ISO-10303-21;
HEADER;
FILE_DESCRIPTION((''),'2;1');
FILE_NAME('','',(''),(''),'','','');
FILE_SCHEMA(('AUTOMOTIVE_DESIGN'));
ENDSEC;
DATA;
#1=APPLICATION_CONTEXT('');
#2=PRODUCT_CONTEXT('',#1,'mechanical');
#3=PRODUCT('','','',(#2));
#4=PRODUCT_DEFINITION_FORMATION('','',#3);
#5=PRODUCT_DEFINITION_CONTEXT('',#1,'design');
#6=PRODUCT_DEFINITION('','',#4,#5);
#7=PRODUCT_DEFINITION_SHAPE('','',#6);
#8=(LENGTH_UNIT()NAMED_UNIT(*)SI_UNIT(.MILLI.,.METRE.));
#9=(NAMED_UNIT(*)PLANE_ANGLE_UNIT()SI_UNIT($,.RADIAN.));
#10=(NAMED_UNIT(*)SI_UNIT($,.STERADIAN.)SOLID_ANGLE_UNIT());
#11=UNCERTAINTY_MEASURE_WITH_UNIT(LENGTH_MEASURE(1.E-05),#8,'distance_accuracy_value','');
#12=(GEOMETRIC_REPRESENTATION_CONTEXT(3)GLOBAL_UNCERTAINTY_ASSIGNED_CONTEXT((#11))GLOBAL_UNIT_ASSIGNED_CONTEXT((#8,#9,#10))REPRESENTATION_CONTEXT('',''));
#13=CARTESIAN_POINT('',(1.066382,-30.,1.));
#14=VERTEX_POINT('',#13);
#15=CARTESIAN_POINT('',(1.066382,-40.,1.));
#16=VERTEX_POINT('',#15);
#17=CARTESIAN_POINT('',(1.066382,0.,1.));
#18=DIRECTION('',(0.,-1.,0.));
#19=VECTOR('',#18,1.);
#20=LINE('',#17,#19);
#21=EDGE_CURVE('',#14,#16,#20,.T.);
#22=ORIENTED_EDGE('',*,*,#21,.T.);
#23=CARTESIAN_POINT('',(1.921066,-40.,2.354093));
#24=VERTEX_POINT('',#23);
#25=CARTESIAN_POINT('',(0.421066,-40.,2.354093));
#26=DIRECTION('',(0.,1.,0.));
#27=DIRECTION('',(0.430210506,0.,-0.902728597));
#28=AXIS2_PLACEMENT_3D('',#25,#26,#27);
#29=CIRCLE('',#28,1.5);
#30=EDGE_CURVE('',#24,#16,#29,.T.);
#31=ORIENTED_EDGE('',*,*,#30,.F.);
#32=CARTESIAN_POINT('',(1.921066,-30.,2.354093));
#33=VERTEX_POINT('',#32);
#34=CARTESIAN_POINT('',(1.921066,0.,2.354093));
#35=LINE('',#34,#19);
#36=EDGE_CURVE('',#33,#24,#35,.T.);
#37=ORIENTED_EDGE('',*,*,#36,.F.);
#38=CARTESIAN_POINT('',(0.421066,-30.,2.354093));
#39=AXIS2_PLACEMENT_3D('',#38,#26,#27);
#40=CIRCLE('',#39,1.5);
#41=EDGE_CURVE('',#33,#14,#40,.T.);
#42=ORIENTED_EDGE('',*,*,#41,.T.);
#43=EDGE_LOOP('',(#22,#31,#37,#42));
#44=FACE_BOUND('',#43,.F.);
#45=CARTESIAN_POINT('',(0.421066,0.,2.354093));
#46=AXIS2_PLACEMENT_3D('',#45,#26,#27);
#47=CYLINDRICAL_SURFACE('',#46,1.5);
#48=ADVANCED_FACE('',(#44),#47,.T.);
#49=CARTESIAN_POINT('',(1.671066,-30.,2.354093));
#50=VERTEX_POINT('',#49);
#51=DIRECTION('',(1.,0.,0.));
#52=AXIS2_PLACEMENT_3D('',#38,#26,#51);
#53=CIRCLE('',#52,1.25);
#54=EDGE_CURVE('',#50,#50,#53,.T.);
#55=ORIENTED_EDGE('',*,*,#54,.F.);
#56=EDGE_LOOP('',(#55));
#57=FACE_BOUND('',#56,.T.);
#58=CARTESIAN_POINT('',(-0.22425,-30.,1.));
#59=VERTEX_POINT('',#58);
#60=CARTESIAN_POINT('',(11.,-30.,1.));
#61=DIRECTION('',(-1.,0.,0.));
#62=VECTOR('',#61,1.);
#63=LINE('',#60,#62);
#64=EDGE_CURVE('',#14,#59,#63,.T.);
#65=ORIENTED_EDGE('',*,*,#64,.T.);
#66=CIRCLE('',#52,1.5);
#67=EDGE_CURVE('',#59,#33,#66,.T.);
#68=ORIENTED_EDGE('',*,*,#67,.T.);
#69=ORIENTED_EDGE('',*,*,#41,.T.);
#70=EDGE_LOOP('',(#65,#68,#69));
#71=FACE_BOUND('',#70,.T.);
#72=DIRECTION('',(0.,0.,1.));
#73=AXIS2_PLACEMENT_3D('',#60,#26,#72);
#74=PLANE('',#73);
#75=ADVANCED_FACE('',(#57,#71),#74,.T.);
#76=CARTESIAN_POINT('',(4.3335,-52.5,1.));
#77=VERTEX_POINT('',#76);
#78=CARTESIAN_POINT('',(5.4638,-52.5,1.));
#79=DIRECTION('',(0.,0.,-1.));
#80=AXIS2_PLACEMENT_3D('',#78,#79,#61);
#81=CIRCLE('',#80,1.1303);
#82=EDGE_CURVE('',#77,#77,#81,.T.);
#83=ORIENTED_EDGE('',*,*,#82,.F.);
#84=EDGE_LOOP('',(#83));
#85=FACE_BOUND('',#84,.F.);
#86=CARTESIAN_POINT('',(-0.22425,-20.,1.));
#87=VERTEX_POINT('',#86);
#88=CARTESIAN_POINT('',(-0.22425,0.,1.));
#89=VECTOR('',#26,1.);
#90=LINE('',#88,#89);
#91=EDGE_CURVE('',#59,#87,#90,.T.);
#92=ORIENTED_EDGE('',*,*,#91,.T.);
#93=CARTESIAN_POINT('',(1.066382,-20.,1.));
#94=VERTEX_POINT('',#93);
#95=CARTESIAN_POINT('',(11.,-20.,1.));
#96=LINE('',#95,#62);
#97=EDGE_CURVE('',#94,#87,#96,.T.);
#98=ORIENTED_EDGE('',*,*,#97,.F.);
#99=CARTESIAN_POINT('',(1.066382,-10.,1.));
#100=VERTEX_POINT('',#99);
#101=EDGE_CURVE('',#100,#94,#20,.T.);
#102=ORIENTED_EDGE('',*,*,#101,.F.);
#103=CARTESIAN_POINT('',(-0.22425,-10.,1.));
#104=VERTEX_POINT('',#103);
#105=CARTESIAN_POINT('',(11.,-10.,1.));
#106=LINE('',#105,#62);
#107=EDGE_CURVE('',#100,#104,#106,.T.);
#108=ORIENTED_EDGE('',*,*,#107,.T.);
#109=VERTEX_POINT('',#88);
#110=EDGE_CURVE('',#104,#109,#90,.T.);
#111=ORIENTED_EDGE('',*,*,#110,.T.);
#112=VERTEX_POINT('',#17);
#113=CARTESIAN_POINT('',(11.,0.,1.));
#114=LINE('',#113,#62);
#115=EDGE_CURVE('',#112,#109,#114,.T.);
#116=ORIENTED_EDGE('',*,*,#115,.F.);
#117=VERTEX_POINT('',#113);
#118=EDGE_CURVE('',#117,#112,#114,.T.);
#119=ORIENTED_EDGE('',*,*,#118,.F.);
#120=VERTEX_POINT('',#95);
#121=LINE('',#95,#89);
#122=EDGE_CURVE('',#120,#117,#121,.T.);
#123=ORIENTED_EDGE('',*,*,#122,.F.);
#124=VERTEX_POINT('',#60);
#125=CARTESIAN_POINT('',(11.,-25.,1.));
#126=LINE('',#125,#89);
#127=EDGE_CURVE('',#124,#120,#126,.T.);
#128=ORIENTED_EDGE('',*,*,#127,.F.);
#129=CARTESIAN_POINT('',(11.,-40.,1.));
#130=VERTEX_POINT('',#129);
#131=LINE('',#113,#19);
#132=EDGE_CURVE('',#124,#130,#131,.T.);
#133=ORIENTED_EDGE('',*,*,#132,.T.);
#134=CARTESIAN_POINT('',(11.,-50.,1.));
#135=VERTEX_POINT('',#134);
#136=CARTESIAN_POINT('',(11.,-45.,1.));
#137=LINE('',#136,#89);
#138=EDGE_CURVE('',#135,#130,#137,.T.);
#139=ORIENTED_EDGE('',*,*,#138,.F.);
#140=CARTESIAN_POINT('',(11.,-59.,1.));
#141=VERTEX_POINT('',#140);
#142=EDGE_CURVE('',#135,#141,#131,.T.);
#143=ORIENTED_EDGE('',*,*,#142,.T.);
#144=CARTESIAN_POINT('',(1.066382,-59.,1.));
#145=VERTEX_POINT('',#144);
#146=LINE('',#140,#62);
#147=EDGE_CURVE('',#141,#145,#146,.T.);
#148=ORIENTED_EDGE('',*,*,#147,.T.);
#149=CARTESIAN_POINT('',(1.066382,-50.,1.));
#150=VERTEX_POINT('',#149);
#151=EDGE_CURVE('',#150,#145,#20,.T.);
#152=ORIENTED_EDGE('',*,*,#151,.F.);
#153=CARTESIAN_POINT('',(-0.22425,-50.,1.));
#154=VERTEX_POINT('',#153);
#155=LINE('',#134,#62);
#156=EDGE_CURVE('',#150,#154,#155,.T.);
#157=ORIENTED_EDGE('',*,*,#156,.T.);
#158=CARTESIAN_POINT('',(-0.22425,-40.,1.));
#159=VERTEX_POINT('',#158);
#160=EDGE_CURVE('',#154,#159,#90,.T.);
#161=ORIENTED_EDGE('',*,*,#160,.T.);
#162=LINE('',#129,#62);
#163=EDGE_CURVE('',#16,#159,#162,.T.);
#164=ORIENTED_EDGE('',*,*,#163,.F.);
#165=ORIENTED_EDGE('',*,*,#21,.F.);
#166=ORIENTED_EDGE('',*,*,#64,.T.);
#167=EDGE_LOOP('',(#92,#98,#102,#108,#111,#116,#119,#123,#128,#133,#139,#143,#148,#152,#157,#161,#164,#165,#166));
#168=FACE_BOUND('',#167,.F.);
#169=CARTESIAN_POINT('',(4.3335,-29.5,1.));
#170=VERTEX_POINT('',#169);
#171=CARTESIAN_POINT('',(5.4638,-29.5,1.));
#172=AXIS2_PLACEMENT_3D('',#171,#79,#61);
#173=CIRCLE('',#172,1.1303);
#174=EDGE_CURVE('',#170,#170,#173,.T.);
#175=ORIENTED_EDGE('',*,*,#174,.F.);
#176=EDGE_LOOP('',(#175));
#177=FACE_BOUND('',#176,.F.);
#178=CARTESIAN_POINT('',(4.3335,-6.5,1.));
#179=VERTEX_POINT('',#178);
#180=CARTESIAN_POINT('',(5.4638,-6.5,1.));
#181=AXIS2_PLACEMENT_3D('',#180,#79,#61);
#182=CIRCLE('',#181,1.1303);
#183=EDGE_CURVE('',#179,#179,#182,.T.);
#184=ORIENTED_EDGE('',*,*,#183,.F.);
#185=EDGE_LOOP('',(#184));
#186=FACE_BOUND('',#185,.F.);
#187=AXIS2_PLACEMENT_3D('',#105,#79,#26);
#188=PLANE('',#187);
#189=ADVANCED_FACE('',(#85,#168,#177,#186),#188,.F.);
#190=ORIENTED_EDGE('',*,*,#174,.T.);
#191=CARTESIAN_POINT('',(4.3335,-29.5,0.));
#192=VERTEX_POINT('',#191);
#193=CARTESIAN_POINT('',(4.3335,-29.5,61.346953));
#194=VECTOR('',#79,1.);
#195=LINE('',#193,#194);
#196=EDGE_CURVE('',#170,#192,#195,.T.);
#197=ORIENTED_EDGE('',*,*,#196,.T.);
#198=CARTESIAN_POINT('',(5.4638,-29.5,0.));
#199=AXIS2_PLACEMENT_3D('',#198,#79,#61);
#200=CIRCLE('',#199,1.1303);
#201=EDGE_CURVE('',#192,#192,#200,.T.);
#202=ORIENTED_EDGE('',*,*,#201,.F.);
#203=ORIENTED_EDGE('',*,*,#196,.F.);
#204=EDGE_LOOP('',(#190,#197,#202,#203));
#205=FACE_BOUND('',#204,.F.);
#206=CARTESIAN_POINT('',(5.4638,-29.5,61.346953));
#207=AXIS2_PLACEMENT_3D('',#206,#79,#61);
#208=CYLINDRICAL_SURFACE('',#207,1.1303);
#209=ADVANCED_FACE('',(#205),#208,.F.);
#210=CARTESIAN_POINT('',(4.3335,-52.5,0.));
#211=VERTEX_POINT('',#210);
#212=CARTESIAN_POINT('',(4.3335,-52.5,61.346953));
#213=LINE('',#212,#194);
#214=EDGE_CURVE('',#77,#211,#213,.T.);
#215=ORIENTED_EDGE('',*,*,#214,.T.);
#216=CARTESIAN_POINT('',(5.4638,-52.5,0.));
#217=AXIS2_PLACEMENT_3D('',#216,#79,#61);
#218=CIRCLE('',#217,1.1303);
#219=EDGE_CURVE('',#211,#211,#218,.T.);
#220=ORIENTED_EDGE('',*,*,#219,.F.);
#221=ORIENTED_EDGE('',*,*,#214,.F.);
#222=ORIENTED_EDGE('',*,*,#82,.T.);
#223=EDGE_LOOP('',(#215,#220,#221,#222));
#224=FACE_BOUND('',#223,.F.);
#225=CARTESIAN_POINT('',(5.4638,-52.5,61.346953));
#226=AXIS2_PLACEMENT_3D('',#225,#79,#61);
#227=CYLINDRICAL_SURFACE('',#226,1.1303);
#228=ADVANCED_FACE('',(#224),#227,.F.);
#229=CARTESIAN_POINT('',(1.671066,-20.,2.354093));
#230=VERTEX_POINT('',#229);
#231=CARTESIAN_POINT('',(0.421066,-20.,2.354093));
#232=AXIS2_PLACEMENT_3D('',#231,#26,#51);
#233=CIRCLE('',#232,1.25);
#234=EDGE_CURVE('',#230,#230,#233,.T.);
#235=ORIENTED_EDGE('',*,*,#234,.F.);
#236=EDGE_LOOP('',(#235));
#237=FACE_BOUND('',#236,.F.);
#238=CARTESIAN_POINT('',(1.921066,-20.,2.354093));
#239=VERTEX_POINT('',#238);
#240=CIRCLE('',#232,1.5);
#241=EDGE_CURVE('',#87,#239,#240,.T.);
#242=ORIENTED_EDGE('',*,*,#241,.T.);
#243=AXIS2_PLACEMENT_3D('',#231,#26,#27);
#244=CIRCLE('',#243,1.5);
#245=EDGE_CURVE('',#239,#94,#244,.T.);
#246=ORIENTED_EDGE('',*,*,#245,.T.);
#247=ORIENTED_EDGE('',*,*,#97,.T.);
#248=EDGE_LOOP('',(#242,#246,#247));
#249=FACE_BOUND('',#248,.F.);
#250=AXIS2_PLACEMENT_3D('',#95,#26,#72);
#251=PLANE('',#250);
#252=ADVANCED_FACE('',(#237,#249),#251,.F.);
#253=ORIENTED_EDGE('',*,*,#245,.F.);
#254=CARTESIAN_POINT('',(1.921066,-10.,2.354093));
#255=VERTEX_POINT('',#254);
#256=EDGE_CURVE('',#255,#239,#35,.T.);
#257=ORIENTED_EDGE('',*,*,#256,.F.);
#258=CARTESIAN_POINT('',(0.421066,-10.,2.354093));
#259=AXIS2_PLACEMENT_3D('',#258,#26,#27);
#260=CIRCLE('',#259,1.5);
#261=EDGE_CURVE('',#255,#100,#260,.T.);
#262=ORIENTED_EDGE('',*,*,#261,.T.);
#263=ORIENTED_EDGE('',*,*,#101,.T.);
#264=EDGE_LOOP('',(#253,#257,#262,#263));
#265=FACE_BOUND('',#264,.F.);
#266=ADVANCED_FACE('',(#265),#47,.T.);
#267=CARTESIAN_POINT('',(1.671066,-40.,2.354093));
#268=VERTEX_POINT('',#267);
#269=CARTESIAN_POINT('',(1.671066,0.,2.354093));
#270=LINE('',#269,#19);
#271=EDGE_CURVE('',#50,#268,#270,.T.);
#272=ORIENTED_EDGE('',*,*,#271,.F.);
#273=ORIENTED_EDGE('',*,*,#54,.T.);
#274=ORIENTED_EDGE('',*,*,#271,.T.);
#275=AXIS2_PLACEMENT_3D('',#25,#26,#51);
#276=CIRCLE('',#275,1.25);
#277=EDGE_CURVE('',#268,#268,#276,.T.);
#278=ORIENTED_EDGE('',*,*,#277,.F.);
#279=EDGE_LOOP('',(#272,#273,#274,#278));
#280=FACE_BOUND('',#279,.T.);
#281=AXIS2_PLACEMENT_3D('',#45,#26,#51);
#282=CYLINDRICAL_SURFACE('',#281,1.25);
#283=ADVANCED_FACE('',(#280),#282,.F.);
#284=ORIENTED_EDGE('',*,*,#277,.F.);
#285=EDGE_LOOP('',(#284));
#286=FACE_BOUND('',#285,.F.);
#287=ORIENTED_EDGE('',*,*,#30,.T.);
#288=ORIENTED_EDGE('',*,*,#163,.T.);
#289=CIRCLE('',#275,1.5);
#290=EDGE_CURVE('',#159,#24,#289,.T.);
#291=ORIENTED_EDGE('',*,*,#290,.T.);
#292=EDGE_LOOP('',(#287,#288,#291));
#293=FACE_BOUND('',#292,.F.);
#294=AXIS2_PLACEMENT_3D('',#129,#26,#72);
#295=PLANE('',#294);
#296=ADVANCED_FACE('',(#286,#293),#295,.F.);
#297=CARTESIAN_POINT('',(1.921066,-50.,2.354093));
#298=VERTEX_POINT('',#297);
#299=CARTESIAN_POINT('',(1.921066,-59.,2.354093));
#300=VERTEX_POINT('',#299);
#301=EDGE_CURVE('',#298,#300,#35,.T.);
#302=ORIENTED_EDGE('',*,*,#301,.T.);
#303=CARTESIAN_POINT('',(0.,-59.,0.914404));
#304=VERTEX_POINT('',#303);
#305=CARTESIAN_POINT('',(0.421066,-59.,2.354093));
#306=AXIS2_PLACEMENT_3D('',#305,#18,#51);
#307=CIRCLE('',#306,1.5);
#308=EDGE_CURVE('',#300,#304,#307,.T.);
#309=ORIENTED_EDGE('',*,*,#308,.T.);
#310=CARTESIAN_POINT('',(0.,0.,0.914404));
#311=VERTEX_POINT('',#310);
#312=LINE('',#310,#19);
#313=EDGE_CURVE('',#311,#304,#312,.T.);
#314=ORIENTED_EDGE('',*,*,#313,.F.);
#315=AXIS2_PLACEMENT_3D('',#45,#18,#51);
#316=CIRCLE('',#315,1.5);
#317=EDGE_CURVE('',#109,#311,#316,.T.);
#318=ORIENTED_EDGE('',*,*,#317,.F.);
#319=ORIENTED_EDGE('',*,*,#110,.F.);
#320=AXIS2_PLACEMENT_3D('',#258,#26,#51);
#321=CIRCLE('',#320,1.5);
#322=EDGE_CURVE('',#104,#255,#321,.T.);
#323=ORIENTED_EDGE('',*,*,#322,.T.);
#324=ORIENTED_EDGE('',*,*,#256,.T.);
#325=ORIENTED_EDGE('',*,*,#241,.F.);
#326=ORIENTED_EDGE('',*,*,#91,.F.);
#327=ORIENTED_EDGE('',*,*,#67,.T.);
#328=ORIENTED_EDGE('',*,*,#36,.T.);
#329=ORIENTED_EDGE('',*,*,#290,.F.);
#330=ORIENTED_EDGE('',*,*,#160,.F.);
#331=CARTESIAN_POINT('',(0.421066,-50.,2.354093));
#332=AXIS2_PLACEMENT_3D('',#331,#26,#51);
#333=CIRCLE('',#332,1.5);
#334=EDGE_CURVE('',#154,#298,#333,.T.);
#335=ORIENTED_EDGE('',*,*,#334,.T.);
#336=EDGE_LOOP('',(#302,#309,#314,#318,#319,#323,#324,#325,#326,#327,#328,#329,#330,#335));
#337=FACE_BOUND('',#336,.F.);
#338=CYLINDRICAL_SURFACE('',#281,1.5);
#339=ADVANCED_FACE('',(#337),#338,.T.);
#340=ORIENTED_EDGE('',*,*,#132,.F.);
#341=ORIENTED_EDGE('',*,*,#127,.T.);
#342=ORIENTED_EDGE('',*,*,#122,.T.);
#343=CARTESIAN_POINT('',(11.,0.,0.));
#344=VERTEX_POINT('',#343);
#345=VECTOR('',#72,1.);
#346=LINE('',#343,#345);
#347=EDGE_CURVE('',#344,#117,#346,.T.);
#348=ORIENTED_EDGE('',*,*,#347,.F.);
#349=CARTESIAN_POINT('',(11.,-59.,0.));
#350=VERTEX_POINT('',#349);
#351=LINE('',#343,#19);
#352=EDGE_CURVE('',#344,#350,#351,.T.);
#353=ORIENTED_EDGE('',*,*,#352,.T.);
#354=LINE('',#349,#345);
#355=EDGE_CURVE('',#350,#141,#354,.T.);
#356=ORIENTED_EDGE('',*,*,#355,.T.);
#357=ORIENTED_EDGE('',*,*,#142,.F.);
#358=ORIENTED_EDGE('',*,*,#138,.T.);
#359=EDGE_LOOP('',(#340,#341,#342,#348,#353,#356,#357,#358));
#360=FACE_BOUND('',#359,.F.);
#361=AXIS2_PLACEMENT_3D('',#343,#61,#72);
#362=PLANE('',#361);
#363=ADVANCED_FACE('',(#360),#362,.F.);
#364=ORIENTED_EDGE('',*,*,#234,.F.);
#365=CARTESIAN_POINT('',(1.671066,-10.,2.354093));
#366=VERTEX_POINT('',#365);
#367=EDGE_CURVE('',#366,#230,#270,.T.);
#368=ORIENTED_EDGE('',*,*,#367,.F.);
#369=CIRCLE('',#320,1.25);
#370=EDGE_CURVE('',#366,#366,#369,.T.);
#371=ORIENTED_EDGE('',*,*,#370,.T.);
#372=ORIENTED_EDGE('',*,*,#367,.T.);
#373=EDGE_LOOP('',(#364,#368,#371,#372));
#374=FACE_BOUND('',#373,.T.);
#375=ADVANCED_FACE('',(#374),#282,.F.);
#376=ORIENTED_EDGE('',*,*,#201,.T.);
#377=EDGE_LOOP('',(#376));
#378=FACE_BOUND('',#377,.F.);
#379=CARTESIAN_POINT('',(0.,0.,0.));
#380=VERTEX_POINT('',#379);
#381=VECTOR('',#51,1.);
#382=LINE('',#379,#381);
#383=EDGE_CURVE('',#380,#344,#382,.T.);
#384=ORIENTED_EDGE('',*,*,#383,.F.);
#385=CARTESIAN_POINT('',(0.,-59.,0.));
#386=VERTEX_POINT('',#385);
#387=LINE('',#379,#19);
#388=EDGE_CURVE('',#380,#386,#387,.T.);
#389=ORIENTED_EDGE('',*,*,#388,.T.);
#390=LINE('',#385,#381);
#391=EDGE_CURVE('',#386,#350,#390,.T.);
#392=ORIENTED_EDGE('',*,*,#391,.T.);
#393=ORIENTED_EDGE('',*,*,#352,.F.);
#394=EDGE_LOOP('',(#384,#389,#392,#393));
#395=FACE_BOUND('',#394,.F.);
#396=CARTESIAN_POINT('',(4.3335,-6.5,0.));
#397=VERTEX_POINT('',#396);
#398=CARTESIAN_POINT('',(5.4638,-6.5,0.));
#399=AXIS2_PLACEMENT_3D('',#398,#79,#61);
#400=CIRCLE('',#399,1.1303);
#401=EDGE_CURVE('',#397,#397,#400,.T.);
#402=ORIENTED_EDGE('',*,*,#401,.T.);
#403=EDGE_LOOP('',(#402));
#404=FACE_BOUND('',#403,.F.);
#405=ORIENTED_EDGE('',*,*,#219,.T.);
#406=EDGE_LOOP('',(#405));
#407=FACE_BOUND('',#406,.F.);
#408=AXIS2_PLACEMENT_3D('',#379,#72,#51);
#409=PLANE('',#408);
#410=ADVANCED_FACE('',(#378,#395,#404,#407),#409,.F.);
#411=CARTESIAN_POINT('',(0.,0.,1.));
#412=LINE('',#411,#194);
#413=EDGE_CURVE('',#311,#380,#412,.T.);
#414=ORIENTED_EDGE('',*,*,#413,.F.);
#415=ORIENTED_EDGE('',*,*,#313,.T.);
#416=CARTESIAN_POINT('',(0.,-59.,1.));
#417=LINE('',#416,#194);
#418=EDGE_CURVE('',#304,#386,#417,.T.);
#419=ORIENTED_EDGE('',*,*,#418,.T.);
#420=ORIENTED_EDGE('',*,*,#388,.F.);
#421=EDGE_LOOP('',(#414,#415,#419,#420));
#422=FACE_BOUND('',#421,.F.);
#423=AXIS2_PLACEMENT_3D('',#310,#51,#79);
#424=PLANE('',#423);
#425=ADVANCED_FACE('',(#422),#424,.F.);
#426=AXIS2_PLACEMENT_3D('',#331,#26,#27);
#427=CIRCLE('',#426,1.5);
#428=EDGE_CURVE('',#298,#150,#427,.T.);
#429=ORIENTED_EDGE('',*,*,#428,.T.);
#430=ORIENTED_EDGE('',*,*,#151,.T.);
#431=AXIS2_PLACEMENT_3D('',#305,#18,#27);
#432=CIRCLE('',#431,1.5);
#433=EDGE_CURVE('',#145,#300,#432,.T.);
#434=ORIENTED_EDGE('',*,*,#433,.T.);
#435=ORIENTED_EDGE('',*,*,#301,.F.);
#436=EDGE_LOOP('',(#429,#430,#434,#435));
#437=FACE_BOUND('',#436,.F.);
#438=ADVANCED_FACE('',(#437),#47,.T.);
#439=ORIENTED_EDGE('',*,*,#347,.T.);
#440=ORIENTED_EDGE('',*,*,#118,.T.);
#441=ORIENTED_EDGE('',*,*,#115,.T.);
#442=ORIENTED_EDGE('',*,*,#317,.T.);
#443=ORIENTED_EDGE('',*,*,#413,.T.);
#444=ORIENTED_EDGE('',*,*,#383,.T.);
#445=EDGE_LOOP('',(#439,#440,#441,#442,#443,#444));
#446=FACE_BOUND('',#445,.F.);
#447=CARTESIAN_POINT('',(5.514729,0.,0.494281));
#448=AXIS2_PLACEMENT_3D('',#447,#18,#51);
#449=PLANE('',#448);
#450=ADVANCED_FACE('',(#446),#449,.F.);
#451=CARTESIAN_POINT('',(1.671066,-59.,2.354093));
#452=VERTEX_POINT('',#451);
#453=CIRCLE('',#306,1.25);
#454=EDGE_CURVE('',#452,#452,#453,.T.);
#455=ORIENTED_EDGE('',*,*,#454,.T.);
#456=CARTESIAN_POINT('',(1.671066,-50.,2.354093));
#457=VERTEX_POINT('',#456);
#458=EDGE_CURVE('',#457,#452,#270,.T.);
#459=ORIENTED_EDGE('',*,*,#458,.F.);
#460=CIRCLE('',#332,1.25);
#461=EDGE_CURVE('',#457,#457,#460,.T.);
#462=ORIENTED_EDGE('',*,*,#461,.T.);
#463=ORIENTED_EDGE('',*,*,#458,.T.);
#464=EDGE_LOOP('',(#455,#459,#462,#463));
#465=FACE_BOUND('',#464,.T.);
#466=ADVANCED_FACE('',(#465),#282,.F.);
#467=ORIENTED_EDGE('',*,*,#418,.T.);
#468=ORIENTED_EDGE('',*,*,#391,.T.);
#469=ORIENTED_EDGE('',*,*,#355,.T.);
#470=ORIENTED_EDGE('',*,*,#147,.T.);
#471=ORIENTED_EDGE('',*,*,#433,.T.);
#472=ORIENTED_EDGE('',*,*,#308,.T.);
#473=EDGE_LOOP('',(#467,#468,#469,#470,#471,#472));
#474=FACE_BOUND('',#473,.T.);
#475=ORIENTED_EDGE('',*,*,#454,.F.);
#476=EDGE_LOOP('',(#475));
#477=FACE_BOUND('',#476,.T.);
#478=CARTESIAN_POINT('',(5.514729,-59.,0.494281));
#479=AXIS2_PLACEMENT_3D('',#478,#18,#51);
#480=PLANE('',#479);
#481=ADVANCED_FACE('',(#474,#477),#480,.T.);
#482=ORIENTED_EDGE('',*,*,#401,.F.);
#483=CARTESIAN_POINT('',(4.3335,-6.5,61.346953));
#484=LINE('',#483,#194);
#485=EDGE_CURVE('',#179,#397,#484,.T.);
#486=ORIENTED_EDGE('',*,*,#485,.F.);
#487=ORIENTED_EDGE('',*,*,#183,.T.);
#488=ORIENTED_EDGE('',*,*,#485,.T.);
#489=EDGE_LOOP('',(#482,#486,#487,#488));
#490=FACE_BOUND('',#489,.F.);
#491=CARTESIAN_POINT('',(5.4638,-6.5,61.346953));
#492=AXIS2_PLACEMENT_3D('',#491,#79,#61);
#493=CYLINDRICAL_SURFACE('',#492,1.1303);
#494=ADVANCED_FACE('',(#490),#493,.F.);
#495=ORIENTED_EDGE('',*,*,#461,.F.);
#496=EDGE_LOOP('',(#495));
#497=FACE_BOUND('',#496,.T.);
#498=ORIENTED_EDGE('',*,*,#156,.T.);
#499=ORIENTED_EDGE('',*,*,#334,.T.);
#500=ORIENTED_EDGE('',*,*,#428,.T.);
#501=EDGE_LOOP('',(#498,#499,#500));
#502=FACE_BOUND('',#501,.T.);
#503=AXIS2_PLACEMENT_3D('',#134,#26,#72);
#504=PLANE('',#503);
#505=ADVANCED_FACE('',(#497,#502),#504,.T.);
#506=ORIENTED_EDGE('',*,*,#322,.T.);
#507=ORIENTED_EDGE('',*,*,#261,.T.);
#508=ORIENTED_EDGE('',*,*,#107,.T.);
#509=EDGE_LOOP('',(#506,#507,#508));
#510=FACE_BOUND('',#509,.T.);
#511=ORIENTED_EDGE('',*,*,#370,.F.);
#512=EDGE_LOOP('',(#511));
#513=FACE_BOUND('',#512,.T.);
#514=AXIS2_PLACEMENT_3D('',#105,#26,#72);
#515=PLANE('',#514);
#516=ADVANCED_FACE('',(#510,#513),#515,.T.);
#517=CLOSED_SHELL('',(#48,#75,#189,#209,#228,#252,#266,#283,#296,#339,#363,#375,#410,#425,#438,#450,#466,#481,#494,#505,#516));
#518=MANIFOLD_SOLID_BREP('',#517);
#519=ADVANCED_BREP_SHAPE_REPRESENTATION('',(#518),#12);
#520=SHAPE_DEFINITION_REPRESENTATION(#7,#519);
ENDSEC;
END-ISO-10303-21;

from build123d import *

# Parameters (mm, degrees)
F0_R     = 1.25
F1_DEPTH = 59
F2_W     = 10
F2_H     = 7.0094654113
F2_H_2   = 7.1141358241
F3_DEPTH = 12.0799340399
F5_D     = 2.2606


with BuildPart() as f1:
    # F0 (on Front) → F1 (new body)
    with BuildSketch(Plane.XZ):
        with BuildLine():
            Line((0, 0.9144042292), (0, 0))
            Line((0, 0), (11, 0))
            Line((11, 0), (11, 1))
            Line((11, 1), (1.0663817193, 1))
            ThreePointArc((1.0663817193, 1), (0.5410811762, 0.8589018219), (0, 0.9144042292))
        make_face()
        with BuildLine():
            Line((0, 1), (0, 0.9144042292))
            ThreePointArc((0, 0.9144042292), (0.5410811762, 0.8589018219), (1.0663817193, 1))
            Line((1.0663817193, 1), (0, 1))
        make_face()
        with BuildLine():
            ThreePointArc((1.9210659601, 2.354092896), (-0.4784897802, 3.5544259623), (0, 0.9144042292))
            Line((0, 0.9144042292), (0, 1))
            Line((0, 1), (1.0663817193, 1))
            ThreePointArc((1.0663817193, 1), (1.6895244022, 1.5534599085), (1.9210659601, 2.354092896))
        make_face()
        with Locations((0.4210659601, 2.354092896)):
            Circle(F0_R, mode=Mode.SUBTRACT)
    extrude(amount=F1_DEPTH)

    # F2 (on face) → F3 (cut, through all)
    with BuildSketch(Plane.YZ.offset(11)):
        with Locations((-45, 4.5047327057)):
            Rectangle(F2_W, F2_H)
        with Locations((-25, 4.5570679121)):
            Rectangle(F2_W, F2_H_2)
        with Locations((-5, 4.5570679121)):
            Rectangle(F2_W, F2_H_2)
    extrude(amount=-F3_DEPTH, mode=Mode.SUBTRACT)

    # F5 (through all)
    with Locations(Plane.XY.offset(1)):
        with Locations((5.463800393, -6.5), (5.463800393, -29.5), (5.463800393, -52.5)):
            Hole(F5_D / 2)


solid = f1.part
